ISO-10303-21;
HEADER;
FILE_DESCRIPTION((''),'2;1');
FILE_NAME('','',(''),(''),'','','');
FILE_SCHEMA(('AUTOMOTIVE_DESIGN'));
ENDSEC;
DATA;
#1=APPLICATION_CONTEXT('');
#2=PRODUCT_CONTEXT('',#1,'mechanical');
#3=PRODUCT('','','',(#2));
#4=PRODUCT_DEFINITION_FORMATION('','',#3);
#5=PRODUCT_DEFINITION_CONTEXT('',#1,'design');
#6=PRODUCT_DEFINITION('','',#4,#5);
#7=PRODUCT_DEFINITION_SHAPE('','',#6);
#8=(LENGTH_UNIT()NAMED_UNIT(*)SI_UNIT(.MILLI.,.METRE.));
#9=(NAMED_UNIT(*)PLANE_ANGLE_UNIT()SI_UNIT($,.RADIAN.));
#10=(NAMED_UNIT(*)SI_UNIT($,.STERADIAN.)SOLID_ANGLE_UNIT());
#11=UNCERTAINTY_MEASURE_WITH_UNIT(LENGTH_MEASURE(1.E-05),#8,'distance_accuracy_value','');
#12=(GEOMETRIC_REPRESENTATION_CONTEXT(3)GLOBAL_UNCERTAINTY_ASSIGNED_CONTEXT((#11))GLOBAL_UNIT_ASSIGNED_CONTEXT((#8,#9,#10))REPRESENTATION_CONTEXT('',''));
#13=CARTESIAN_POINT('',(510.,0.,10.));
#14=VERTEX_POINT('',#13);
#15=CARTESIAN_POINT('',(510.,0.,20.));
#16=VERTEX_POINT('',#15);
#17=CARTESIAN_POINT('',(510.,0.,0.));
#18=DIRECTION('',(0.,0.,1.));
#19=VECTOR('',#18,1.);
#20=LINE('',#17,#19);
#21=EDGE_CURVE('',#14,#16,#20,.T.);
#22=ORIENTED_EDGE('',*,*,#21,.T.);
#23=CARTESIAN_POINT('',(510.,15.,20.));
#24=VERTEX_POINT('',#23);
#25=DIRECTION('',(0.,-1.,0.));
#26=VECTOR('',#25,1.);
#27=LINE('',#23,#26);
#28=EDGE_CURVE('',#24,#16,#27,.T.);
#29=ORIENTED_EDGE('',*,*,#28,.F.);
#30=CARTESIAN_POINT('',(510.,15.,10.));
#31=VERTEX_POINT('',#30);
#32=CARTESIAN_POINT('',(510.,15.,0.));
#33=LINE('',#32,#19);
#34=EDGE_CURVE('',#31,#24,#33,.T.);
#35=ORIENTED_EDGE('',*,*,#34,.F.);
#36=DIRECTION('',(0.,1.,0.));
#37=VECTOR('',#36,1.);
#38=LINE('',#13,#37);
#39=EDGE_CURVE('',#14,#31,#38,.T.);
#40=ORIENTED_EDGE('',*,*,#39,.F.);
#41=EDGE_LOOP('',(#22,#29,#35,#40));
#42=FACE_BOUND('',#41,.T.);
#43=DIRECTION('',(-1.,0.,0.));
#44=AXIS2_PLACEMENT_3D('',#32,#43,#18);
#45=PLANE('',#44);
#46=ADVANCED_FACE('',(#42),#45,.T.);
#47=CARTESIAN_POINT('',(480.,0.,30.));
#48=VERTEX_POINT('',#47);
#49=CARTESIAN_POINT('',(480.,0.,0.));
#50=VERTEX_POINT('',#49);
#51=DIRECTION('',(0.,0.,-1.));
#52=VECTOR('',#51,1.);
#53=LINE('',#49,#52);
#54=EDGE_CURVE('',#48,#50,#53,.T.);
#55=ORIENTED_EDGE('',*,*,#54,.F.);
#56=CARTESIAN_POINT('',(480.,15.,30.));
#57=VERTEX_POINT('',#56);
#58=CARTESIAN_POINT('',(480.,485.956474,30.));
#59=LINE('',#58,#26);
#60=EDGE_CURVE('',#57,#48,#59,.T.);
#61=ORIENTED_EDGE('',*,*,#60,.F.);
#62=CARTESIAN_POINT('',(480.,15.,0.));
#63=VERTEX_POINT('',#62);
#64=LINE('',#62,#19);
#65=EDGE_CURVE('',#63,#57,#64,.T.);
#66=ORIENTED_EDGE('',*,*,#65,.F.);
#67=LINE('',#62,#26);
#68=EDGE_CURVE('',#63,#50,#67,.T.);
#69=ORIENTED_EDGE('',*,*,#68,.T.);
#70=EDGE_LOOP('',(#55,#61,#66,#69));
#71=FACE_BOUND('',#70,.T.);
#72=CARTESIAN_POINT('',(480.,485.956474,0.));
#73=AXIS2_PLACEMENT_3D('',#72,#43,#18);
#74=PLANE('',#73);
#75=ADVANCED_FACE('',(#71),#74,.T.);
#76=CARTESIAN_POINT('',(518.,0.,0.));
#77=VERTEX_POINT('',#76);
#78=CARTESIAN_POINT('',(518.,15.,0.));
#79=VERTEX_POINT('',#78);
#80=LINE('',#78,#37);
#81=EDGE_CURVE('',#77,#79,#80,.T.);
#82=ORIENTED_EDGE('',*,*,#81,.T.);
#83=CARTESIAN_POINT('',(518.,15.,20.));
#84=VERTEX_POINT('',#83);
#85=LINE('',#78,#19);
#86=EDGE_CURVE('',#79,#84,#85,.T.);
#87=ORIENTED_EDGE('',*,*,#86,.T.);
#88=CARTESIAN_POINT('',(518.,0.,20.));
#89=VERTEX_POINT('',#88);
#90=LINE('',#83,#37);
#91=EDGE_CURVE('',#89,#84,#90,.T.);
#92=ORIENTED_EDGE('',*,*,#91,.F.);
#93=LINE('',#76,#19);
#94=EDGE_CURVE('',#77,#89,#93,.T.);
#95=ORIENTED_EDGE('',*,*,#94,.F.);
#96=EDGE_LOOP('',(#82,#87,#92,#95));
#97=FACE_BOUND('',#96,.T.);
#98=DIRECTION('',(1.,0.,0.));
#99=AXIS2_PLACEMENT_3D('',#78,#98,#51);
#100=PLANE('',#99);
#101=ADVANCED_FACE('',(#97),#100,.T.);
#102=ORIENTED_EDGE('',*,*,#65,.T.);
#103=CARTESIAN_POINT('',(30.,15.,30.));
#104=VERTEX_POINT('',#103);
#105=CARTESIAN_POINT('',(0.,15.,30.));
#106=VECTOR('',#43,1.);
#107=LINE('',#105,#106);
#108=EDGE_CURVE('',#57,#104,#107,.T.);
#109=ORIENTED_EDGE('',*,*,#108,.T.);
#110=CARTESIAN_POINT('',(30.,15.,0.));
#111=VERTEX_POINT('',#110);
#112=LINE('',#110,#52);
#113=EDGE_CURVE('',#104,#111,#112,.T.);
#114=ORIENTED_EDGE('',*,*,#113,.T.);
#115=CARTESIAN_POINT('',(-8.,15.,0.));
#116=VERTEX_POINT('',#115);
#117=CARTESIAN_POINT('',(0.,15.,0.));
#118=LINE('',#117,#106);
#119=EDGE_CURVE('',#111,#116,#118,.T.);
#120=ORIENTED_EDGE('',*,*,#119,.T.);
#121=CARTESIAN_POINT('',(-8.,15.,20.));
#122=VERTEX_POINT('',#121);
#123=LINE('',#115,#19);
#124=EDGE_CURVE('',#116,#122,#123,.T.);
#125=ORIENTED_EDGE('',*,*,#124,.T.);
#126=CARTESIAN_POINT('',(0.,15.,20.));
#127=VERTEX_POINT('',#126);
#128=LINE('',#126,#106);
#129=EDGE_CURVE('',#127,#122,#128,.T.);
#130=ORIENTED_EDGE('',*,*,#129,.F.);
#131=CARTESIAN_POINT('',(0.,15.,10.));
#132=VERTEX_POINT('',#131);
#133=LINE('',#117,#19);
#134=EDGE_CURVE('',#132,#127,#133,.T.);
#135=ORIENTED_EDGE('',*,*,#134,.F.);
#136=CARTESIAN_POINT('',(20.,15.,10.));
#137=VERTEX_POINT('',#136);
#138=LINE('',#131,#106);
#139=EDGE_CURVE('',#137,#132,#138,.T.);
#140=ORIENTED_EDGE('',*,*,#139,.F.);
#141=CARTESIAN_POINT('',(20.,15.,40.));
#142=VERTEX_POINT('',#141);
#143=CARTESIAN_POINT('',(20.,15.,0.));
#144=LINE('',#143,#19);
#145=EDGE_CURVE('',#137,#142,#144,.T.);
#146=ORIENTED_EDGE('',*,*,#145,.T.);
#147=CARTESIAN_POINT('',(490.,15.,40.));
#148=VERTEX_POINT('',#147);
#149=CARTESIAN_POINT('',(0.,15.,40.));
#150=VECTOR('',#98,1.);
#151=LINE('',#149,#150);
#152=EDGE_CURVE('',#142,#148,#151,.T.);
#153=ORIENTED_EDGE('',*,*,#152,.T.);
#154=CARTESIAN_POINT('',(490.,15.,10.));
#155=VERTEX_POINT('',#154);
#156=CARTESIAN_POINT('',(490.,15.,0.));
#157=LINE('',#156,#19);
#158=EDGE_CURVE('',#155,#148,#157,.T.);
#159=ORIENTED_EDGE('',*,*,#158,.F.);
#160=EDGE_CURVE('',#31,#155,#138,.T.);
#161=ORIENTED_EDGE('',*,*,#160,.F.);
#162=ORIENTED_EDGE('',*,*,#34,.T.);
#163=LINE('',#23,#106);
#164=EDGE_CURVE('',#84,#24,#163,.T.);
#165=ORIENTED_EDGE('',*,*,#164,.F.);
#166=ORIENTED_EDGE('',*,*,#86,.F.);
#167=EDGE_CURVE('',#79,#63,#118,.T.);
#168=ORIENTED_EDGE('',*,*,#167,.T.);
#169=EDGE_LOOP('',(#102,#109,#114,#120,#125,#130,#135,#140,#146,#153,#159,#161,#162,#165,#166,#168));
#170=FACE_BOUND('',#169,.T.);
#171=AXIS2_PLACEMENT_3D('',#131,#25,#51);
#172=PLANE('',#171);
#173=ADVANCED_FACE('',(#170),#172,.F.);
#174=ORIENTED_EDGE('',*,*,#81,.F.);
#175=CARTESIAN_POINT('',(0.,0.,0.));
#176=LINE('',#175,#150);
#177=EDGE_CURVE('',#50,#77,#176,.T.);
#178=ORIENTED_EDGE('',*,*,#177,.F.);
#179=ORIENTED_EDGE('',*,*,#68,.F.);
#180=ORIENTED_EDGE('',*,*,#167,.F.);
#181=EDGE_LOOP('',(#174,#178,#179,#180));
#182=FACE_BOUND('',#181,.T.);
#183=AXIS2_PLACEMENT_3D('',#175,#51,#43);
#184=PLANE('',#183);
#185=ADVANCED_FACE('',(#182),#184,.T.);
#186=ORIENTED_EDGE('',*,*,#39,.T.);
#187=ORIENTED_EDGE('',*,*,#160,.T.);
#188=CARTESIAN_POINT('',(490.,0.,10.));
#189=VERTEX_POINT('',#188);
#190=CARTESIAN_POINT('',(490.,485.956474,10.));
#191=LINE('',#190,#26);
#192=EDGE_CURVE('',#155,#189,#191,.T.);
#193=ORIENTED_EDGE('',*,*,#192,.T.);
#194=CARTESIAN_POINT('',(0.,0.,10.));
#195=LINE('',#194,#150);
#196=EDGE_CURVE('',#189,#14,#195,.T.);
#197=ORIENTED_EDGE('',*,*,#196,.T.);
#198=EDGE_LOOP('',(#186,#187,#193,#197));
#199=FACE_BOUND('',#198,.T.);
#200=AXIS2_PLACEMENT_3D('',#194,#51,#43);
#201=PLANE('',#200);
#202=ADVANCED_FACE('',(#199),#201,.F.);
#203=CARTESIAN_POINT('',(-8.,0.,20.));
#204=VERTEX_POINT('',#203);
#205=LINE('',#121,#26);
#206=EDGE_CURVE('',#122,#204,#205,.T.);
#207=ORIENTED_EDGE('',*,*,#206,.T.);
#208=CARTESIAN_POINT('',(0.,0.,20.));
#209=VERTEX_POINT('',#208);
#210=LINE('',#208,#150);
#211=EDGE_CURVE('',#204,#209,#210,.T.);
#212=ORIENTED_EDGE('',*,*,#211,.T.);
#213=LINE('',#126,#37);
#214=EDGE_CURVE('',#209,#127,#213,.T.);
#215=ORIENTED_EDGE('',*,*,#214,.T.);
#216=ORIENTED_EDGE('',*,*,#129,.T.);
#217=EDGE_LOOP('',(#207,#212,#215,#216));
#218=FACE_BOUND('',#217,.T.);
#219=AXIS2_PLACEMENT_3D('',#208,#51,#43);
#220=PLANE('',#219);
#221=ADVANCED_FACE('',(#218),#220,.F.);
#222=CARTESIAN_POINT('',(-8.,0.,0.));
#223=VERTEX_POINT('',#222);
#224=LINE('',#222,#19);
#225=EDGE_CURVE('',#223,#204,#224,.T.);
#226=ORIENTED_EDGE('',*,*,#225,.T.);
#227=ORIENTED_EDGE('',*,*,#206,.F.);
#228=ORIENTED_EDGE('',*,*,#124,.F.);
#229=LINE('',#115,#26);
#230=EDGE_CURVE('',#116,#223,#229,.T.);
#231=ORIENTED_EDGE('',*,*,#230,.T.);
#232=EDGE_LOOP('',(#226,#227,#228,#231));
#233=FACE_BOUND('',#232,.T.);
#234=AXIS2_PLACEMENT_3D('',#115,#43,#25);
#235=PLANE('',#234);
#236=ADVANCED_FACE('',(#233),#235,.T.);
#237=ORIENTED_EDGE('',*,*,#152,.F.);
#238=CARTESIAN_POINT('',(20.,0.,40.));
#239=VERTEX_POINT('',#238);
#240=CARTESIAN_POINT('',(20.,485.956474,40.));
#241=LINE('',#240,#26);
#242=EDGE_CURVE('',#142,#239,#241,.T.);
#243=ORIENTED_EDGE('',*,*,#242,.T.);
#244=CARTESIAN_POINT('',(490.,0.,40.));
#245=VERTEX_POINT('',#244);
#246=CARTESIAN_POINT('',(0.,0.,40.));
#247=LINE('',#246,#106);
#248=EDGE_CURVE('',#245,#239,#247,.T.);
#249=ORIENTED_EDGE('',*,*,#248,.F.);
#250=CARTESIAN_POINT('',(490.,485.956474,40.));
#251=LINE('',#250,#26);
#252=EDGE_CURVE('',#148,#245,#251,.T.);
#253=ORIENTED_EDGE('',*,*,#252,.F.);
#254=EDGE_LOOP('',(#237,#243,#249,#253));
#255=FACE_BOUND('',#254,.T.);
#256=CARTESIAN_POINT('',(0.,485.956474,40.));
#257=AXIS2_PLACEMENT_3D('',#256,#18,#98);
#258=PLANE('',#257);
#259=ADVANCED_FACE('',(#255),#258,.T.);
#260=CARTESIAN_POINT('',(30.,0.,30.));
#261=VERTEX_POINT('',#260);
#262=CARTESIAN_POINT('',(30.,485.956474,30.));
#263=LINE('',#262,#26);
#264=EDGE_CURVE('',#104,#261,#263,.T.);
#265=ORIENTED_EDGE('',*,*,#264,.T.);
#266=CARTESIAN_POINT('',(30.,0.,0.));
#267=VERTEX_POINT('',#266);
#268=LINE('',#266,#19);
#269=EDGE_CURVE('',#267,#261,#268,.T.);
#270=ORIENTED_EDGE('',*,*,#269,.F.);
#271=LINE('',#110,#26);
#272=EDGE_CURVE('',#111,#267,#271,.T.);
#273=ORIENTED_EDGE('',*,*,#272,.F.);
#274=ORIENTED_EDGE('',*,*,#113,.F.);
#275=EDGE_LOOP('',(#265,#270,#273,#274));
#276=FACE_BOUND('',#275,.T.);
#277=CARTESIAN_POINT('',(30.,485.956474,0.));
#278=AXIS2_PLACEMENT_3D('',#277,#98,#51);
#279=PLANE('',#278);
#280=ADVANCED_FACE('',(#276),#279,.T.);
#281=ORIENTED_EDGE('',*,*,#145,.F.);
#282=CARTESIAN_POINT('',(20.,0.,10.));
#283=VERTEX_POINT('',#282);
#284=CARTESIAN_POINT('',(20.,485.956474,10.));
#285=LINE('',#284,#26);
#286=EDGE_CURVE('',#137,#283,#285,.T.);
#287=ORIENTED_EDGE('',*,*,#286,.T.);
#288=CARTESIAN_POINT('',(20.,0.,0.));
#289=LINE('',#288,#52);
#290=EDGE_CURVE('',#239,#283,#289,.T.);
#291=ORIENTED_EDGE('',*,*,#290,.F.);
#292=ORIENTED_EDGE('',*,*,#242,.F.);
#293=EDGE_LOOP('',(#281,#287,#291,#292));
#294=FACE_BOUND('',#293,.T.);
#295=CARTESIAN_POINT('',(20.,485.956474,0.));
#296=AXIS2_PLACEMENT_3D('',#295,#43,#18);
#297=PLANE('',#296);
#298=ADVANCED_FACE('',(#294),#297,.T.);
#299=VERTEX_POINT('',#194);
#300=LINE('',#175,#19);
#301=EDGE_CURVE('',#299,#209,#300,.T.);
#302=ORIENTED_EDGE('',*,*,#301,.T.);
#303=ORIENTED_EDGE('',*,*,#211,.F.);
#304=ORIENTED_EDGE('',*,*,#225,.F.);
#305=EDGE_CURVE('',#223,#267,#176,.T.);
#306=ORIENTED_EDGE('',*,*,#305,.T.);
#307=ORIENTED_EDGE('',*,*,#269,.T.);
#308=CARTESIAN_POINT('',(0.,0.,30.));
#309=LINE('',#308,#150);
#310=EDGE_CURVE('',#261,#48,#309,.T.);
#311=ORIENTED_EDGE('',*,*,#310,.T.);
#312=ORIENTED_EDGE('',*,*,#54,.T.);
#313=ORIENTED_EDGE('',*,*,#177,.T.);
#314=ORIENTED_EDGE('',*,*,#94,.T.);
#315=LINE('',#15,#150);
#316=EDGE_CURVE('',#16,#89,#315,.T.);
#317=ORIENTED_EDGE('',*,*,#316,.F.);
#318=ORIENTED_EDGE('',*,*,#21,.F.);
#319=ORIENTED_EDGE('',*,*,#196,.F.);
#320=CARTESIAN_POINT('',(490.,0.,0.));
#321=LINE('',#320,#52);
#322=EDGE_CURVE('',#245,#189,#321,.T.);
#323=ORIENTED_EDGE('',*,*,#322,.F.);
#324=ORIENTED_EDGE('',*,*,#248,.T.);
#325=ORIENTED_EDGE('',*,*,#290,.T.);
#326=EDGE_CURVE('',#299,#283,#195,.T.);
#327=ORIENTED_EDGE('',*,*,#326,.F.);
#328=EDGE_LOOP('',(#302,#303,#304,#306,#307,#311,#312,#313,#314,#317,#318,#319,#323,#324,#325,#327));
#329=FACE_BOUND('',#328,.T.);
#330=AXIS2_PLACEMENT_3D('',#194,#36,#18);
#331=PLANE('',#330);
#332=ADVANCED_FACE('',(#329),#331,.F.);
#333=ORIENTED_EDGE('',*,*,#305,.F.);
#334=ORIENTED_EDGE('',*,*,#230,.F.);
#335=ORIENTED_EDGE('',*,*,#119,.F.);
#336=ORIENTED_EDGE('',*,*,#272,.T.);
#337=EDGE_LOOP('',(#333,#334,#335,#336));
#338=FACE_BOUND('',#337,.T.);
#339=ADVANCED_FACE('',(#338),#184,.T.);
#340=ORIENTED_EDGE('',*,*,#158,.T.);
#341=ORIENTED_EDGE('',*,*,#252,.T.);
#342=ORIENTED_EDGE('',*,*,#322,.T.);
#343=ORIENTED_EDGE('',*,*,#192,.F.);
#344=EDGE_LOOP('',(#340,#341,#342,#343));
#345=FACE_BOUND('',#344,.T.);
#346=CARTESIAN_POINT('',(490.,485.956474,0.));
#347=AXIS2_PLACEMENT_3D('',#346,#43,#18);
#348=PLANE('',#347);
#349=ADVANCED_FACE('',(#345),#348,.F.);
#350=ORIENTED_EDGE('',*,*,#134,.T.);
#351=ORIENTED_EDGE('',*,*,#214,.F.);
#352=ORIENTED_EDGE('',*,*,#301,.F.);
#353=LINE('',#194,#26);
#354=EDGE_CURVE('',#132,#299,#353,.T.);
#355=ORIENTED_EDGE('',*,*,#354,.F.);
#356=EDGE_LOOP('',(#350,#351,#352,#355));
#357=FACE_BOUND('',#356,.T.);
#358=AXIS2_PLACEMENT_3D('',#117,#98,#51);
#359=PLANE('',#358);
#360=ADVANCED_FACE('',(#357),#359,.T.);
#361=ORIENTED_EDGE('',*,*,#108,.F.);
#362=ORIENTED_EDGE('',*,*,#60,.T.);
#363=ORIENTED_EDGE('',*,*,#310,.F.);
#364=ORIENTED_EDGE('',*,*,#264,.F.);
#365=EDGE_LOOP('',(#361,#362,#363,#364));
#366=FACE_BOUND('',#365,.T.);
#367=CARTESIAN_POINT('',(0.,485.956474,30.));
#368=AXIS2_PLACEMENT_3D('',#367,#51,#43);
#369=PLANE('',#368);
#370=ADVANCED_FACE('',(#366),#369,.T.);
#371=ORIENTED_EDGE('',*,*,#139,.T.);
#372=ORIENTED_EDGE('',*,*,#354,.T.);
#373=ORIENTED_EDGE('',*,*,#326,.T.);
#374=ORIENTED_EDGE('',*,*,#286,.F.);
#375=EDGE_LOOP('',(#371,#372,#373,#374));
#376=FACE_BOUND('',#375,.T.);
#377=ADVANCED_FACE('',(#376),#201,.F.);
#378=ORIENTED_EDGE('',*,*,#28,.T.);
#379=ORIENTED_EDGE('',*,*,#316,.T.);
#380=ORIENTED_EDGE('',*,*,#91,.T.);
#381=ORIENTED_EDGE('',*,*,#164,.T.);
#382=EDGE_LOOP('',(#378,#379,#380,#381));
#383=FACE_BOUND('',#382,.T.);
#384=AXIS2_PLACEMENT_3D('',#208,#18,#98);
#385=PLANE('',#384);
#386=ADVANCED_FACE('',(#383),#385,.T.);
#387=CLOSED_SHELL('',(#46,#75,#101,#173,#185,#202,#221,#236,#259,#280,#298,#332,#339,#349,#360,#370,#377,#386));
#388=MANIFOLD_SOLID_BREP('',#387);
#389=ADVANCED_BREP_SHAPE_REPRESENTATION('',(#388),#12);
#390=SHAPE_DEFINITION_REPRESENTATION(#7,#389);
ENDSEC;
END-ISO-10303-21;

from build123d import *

# Parameters (mm, degrees)
SKETCH_1_W           = 510
SKETCH_1_H           = 15
EXTRUDE_1_DEPTH      = 10
EXTRUDE_2_DEPTH      = 10
EXTRUDE_2_DEPTH_BACK = 10
SKETCH_2_W           = 8
SKETCH_2_H           = 15
EXTRUDE_3_DEPTH      = 15
SKETCH_4_W           = 450
SKETCH_4_H           = 10
CUT_EXTRUDE_1_DEPTH  = 520.758597812


with BuildPart() as part:
    # 草图1 → 凸台-拉伸1 (new body)
    with BuildSketch(Plane.XY):
        with Locations((255, 7.5)):
            Rectangle(SKETCH_1_W, SKETCH_1_H)
    extrude(amount=EXTRUDE_1_DEPTH)

    # 草图2 → 凸台-拉伸2 (add, two sides: drawn at the far end of the back side and taken through both)
    with BuildSketch(Plane.XY.offset(10).offset(-EXTRUDE_2_DEPTH_BACK)):
        with Locations((514, 7.5)):
            Rectangle(SKETCH_2_W, SKETCH_2_H)
        with Locations((-4, 7.5)):
            Rectangle(SKETCH_2_W, SKETCH_2_H)
    extrude(amount=EXTRUDE_2_DEPTH + EXTRUDE_2_DEPTH_BACK)

    # 草图3 → 凸台-拉伸3 (add)
    with BuildSketch(Plane.XZ):
        Polygon((20, 40), (20, 10), (30, 10), (30, 30), (480, 30), (480, 10), (490, 10), (490, 40), align=None)
    extrude(amount=-EXTRUDE_3_DEPTH)

    # 草图4 → 切除-拉伸1 (cut, through all)
    with BuildSketch(Plane.XZ):
        with Locations((255, 5)):
            Rectangle(SKETCH_4_W, SKETCH_4_H)
    extrude(amount=-CUT_EXTRUDE_1_DEPTH, mode=Mode.SUBTRACT)


solid = part.part
